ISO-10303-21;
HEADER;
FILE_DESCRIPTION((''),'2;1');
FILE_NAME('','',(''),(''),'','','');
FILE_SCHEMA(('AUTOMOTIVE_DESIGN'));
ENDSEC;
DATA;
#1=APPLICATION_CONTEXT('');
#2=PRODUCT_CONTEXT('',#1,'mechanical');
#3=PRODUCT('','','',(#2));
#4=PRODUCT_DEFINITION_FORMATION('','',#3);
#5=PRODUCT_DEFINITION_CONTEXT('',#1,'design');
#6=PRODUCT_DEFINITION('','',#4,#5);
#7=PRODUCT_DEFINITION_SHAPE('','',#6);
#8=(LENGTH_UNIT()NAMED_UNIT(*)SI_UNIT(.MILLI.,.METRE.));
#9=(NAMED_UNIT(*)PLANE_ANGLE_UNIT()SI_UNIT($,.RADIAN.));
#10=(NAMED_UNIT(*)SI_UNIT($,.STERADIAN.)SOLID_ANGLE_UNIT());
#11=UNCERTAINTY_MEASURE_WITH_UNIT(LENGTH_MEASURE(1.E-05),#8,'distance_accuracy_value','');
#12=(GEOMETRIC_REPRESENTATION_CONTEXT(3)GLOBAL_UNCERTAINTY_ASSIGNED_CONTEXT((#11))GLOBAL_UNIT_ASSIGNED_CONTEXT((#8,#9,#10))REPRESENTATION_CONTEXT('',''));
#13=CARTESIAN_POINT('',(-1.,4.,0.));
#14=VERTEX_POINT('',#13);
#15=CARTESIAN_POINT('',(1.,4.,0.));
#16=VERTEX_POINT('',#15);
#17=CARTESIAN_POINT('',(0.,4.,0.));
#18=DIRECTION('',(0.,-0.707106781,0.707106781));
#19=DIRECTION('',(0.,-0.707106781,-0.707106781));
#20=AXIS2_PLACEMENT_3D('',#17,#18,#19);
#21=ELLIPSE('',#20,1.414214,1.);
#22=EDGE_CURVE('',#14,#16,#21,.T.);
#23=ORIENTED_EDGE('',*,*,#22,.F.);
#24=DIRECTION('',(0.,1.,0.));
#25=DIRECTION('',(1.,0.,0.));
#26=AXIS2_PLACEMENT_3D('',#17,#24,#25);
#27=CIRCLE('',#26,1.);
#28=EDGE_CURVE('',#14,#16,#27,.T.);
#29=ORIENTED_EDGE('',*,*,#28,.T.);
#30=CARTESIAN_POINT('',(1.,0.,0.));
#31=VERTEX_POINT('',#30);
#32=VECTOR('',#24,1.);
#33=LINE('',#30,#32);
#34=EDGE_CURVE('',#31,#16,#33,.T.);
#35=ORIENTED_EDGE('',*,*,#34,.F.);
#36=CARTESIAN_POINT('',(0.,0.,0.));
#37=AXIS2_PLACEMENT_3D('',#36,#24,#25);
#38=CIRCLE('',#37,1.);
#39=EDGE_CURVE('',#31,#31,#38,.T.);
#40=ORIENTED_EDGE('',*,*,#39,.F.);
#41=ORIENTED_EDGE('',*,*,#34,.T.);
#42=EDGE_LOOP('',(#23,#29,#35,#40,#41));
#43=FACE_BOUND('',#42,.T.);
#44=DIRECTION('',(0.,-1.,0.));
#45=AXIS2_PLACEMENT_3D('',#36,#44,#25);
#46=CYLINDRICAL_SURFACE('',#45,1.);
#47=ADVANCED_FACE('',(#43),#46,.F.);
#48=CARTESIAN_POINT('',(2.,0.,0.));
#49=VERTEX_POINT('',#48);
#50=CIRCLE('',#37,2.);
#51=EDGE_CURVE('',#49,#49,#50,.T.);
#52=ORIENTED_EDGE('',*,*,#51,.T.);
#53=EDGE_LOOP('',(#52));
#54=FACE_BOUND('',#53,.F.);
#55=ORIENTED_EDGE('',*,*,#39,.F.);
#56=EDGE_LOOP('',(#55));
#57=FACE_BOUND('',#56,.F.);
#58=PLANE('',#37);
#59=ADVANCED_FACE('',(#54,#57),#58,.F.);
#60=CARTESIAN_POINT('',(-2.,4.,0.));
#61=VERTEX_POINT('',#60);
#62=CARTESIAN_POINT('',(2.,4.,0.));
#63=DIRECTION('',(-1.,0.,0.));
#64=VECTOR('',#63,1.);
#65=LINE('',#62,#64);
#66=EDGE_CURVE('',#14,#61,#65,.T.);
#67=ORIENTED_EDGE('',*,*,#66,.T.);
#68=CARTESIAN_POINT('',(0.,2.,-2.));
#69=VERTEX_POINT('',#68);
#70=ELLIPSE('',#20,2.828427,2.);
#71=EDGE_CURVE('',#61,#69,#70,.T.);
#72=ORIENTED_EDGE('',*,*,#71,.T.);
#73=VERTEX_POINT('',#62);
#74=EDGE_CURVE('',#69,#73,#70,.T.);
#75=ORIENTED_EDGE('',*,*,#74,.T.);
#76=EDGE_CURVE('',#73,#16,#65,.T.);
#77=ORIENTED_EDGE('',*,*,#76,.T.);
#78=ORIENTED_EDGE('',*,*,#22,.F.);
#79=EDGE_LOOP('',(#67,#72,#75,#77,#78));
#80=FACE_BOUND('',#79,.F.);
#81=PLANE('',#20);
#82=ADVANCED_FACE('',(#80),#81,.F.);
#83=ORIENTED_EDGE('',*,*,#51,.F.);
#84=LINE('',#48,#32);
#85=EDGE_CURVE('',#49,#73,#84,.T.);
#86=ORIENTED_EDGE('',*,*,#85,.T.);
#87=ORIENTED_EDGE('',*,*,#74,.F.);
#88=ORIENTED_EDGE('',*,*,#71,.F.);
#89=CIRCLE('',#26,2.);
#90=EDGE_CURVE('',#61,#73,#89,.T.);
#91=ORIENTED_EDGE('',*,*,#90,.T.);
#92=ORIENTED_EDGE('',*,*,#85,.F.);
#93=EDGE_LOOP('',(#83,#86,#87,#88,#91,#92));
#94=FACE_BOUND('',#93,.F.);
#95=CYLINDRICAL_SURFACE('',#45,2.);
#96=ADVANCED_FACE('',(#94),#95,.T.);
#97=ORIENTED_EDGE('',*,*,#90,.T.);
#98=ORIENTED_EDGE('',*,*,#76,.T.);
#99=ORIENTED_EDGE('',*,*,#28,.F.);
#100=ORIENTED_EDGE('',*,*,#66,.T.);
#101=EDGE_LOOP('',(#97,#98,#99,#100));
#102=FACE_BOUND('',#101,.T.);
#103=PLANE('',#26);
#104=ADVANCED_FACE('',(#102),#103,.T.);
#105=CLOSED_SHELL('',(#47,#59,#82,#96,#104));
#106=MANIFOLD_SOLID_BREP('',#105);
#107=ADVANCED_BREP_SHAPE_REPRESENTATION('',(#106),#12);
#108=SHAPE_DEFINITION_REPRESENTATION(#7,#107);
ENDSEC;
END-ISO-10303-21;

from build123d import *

# Parameters (mm, degrees)
SKETCH1_R           = 2
SKETCH1_R_2         = 1
BOSS_EXTRUDE1_DEPTH = 4
CUT_EXTRUDE1_DEPTH  = 2


with BuildPart() as part:
    # Sketch1 → Boss-Extrude1 (new body)
    with BuildSketch(Plane(origin=(0, 0, 0), x_dir=(1, 0, 0), z_dir=(0, 1, 0))):
        Circle(SKETCH1_R)
        Circle(SKETCH1_R_2, mode=Mode.SUBTRACT)
    extrude(amount=BOSS_EXTRUDE1_DEPTH)

    # Sketch2 → Cut-Extrude1 (cut, symmetric)
    with BuildSketch(Plane(origin=(0, 0, 0), x_dir=(0, 0, -1), z_dir=(1, 0, 0))):
        Polygon((2, 2), (2, 4), (0, 4), align=None)
        Polygon((2, 4), (0, 4), (2, 2), align=None)
    extrude(amount=CUT_EXTRUDE1_DEPTH, both=True, mode=Mode.SUBTRACT)


solid = part.part
